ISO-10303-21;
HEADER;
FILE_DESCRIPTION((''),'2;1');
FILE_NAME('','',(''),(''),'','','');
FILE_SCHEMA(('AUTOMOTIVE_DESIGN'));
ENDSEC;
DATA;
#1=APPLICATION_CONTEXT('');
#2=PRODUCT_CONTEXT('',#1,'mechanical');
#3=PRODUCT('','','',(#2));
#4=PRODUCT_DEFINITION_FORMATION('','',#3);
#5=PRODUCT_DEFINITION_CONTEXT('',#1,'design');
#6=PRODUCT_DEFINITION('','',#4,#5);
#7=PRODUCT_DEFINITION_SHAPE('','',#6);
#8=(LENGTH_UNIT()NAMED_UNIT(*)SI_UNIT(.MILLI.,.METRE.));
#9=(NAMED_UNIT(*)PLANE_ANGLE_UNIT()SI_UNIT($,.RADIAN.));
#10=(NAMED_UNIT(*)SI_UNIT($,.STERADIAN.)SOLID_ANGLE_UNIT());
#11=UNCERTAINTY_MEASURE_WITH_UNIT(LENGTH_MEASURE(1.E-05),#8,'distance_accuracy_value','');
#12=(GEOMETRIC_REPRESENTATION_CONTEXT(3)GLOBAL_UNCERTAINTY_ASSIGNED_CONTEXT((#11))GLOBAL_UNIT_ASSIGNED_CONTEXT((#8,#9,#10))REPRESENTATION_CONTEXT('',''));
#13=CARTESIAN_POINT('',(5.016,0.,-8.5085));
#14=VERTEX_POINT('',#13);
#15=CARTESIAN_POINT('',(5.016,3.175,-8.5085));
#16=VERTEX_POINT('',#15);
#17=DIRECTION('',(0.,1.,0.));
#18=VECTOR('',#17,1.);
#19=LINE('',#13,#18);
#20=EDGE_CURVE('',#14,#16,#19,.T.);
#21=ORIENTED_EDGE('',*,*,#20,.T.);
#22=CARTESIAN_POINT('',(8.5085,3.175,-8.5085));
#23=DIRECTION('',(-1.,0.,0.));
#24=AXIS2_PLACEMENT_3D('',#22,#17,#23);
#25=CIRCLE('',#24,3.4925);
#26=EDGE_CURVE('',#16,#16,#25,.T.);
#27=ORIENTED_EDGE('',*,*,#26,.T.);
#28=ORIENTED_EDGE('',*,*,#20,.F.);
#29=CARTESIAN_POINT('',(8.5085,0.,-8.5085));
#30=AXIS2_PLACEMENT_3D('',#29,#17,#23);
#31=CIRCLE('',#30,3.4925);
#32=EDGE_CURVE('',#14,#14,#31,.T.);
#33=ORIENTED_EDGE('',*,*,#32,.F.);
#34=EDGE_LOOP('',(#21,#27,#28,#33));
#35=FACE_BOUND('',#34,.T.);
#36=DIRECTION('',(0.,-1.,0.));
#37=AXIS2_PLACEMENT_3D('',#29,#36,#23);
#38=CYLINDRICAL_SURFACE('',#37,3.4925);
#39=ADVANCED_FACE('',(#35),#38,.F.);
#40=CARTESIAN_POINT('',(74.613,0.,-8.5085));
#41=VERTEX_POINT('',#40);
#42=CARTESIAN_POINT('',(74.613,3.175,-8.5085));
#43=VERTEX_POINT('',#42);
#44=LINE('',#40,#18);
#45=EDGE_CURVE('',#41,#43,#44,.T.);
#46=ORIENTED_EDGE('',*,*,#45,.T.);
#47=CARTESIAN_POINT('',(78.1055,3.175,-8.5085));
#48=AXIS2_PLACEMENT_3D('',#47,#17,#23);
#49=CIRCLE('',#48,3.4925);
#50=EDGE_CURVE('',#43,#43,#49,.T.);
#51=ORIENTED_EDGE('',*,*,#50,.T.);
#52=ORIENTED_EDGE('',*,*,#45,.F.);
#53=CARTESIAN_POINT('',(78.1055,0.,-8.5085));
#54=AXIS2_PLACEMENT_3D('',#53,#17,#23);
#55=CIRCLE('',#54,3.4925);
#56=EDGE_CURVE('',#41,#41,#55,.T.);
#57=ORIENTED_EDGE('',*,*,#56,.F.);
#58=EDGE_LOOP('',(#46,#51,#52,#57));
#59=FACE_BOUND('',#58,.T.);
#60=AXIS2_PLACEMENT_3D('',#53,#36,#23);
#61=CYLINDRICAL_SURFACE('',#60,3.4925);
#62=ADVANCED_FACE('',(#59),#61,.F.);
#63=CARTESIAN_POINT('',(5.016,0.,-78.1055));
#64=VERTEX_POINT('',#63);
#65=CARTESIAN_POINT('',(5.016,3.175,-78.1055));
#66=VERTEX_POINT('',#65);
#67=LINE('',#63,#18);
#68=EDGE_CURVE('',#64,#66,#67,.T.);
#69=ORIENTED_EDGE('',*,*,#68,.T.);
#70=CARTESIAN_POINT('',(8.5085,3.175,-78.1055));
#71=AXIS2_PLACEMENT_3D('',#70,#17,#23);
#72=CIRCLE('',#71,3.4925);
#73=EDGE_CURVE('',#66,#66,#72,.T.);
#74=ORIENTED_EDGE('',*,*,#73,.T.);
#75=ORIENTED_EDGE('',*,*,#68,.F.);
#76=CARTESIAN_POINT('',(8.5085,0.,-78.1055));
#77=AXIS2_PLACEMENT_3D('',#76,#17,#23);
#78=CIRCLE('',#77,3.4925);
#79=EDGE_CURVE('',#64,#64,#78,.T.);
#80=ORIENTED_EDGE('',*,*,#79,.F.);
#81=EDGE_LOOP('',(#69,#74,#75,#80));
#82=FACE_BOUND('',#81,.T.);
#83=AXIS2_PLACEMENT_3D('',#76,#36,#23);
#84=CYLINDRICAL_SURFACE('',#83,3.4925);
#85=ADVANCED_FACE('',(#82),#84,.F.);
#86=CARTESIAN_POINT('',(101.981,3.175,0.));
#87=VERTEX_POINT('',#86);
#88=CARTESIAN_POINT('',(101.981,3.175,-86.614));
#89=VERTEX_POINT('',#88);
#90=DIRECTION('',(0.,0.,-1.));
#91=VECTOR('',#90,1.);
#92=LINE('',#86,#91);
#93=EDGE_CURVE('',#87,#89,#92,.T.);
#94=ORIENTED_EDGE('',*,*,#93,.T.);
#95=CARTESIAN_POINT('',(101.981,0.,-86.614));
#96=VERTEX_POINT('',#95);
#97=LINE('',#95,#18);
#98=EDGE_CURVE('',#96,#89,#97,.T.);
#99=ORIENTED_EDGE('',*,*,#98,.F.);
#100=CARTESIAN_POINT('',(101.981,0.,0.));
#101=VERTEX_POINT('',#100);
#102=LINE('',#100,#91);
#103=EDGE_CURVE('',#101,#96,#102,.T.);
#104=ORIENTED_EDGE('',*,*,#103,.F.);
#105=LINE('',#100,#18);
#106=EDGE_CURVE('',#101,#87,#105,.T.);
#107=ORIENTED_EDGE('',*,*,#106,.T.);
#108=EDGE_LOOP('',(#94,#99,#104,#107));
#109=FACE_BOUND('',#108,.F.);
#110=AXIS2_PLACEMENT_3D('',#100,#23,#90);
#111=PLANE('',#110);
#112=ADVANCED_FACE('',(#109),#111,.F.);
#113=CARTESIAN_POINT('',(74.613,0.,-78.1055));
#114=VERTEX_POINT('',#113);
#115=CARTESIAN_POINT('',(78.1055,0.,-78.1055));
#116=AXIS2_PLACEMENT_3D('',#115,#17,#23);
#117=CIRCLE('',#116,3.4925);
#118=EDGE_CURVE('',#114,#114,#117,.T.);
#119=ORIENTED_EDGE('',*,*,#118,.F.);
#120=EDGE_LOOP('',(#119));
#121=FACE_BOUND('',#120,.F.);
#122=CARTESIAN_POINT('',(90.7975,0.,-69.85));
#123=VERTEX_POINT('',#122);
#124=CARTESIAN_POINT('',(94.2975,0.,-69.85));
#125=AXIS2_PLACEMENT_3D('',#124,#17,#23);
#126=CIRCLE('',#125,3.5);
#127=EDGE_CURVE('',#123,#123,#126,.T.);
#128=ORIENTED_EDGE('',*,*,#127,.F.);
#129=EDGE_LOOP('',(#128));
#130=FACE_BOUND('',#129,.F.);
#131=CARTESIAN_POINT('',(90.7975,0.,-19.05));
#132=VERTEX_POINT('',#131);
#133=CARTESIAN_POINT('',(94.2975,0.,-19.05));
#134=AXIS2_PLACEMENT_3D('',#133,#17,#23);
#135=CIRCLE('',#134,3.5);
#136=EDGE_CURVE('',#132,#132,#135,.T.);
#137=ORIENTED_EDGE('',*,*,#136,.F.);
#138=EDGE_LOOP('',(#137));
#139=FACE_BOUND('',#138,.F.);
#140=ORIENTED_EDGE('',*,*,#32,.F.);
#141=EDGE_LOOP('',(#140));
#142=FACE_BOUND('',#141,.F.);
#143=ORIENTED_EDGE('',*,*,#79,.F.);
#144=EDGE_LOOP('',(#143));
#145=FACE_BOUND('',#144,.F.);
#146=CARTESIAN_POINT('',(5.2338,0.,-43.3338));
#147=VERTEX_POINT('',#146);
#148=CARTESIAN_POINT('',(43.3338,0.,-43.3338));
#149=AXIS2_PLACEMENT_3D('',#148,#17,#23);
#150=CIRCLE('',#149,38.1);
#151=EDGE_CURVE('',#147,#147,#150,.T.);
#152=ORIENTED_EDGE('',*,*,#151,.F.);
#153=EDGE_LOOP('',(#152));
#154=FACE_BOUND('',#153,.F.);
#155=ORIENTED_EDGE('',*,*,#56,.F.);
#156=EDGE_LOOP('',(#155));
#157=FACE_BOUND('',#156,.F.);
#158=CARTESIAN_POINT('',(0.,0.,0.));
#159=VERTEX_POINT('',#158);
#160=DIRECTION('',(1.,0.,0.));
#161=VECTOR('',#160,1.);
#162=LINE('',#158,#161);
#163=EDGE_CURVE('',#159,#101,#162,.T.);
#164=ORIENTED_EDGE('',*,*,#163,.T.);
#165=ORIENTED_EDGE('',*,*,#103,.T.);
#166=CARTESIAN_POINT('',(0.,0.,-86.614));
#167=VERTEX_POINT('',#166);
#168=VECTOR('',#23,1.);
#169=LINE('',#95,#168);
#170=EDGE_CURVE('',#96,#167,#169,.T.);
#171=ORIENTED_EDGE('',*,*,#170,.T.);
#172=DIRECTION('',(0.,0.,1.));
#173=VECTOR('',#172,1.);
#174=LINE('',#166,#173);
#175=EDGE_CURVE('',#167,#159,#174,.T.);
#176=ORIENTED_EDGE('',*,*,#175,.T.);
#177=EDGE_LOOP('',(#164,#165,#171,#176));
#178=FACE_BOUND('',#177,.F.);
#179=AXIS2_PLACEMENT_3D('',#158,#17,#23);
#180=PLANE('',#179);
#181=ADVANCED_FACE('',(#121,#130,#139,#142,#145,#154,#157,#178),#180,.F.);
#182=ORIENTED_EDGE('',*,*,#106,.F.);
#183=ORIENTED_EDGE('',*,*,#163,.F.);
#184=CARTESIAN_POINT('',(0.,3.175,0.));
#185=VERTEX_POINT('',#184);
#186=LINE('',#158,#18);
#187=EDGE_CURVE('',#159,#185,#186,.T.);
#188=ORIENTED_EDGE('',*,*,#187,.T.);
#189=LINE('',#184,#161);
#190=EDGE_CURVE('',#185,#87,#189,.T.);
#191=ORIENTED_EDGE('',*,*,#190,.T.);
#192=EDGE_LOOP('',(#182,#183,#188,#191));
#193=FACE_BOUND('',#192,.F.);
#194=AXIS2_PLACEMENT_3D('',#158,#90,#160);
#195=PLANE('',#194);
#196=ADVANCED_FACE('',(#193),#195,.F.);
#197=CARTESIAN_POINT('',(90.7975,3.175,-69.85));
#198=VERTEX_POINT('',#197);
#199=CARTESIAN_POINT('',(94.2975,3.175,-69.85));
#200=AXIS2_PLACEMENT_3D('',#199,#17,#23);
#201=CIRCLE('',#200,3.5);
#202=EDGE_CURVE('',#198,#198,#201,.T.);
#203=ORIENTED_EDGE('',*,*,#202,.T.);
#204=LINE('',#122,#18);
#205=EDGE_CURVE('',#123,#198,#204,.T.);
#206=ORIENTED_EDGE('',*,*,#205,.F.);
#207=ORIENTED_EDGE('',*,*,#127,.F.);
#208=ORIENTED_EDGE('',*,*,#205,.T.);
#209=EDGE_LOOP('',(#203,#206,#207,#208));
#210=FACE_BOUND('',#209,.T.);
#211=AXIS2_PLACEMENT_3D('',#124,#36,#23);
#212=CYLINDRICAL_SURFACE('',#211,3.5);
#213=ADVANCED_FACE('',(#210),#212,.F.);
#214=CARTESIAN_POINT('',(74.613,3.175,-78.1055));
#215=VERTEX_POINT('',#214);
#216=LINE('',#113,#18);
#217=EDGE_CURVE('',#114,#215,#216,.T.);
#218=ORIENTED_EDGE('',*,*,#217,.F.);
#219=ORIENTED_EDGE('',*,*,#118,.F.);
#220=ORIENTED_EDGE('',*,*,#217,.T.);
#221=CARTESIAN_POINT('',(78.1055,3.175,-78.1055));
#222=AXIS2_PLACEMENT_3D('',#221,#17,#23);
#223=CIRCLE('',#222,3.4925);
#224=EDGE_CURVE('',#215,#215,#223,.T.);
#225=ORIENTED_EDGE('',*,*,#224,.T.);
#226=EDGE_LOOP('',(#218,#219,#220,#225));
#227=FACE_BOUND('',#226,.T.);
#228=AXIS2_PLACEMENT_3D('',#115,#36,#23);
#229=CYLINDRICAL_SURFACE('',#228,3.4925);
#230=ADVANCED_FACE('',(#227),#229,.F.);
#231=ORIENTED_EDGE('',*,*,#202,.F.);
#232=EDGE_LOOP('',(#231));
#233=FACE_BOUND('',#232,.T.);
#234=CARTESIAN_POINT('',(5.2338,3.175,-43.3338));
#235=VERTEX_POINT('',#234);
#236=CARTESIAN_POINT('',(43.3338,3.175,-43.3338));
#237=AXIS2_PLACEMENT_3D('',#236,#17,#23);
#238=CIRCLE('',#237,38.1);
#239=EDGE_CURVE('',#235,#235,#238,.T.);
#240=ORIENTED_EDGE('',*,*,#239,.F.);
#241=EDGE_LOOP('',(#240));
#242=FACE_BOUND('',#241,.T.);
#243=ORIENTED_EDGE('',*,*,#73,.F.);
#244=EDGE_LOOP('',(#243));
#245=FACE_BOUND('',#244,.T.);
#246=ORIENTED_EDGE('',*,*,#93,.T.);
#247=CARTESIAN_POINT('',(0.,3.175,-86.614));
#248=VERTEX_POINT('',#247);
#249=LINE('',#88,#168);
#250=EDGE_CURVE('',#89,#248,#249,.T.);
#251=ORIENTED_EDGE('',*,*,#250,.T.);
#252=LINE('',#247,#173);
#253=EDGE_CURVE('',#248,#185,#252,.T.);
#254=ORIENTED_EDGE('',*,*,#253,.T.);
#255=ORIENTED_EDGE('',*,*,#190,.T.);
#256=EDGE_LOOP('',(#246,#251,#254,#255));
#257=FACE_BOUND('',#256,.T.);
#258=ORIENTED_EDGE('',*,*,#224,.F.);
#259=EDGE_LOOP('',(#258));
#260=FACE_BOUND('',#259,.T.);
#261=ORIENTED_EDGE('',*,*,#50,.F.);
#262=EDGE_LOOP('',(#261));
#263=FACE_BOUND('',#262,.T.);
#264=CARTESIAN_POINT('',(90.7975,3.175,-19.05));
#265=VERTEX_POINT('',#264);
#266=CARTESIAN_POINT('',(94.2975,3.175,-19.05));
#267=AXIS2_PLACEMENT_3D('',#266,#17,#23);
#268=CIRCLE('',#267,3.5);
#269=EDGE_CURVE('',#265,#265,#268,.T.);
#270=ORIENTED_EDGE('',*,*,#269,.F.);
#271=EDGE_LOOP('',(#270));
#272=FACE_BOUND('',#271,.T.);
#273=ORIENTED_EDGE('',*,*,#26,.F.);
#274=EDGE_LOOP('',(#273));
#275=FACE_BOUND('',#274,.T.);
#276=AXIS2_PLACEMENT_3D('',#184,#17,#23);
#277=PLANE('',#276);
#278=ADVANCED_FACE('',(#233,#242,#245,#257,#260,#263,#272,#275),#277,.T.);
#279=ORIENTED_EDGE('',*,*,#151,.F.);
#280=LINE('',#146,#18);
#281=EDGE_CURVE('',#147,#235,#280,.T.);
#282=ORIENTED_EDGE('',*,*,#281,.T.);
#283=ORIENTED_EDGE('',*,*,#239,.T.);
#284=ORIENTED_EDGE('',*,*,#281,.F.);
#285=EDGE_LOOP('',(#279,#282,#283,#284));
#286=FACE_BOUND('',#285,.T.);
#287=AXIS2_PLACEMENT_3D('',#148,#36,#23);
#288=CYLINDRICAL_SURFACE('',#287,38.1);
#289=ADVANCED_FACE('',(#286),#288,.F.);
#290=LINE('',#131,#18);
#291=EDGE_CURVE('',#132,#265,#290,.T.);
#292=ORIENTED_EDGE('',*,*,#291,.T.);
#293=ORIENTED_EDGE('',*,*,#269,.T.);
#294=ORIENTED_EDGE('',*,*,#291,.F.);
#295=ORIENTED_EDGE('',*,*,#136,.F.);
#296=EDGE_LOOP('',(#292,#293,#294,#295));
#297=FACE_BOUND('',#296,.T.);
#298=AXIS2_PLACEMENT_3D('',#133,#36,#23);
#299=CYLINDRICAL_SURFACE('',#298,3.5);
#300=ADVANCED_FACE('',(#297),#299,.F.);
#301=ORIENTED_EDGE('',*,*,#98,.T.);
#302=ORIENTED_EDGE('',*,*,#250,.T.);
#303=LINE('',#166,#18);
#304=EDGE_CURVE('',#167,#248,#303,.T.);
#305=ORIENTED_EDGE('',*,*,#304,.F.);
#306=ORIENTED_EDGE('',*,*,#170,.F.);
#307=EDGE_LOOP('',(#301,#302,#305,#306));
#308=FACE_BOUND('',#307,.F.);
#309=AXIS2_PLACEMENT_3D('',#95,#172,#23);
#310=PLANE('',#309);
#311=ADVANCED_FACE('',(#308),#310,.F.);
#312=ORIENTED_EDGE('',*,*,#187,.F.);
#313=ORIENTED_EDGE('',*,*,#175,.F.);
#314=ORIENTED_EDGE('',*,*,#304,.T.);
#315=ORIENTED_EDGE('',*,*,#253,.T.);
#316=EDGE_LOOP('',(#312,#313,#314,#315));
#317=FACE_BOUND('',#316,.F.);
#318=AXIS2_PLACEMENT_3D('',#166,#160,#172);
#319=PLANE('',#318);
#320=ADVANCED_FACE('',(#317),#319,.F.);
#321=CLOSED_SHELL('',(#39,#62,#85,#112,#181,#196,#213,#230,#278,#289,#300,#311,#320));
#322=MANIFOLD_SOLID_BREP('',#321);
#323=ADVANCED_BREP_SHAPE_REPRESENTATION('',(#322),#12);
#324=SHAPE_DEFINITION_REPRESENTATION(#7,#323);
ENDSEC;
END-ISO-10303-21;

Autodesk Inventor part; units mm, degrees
ref_plane "YZ Plane" through (0, 0, 0) normal (1, 0, 0) x (0, 1, 0)
ref_plane "XZ Plane" through (0, 0, 0) normal (0, 1, 0) x (-1, 0, 0)
ref_plane "XY Plane" through (0, 0, 0) normal (0, 0, 1) x (1, 0, 0)
sketch "Sketch1" plane through (0, 0, 0) normal (0, 1, 0) x (-1, 0, 0)
  line L0 (0, 0) -> (-101.981, 0)
  line L1 (-101.981, 0) -> (-101.981, -86.614)
  line L2 (-101.981, -86.614) -> (0, -86.614)
  line L3 (0, -86.614) -> (0, 0)
  circle A0 centre (-8.5085, -8.5085) radius 3.4925
  circle A1 centre (-78.1055, -8.5085) radius 3.4925
  circle A2 centre (-8.5085, -78.1055) radius 3.4925
  circle A3 centre (-78.1055, -78.1055) radius 3.4925
  circle A4 centre (-43.3338, -43.3338) radius 38.1
  circle A5 centre (-94.2975, -19.05) radius 3.5
  circle A6 centre (-94.2975, -69.85) radius 3.5
  dimension "d0" = 101.981
  dimension "d1" = 86.614
  dimension "d2" = 6.985
  dimension "d3" = 8.5085
  dimension "d4" = 8.5085
  dimension "d7" = 69.597
  dimension "d10" = 69.597
  dimension "d13" = 76.2
  dimension "d14" = 43.3338
  dimension "d15" = 43.3338
  dimension "d16" = 7
  dimension "d19" = 50.8
  dimension "d24" = 19.05
  dimension "d27" = 7.6835
extrude "Extrusion1" add sketch "Sketch1" along normal blind 3.175
properties part number "MotorPlate"
